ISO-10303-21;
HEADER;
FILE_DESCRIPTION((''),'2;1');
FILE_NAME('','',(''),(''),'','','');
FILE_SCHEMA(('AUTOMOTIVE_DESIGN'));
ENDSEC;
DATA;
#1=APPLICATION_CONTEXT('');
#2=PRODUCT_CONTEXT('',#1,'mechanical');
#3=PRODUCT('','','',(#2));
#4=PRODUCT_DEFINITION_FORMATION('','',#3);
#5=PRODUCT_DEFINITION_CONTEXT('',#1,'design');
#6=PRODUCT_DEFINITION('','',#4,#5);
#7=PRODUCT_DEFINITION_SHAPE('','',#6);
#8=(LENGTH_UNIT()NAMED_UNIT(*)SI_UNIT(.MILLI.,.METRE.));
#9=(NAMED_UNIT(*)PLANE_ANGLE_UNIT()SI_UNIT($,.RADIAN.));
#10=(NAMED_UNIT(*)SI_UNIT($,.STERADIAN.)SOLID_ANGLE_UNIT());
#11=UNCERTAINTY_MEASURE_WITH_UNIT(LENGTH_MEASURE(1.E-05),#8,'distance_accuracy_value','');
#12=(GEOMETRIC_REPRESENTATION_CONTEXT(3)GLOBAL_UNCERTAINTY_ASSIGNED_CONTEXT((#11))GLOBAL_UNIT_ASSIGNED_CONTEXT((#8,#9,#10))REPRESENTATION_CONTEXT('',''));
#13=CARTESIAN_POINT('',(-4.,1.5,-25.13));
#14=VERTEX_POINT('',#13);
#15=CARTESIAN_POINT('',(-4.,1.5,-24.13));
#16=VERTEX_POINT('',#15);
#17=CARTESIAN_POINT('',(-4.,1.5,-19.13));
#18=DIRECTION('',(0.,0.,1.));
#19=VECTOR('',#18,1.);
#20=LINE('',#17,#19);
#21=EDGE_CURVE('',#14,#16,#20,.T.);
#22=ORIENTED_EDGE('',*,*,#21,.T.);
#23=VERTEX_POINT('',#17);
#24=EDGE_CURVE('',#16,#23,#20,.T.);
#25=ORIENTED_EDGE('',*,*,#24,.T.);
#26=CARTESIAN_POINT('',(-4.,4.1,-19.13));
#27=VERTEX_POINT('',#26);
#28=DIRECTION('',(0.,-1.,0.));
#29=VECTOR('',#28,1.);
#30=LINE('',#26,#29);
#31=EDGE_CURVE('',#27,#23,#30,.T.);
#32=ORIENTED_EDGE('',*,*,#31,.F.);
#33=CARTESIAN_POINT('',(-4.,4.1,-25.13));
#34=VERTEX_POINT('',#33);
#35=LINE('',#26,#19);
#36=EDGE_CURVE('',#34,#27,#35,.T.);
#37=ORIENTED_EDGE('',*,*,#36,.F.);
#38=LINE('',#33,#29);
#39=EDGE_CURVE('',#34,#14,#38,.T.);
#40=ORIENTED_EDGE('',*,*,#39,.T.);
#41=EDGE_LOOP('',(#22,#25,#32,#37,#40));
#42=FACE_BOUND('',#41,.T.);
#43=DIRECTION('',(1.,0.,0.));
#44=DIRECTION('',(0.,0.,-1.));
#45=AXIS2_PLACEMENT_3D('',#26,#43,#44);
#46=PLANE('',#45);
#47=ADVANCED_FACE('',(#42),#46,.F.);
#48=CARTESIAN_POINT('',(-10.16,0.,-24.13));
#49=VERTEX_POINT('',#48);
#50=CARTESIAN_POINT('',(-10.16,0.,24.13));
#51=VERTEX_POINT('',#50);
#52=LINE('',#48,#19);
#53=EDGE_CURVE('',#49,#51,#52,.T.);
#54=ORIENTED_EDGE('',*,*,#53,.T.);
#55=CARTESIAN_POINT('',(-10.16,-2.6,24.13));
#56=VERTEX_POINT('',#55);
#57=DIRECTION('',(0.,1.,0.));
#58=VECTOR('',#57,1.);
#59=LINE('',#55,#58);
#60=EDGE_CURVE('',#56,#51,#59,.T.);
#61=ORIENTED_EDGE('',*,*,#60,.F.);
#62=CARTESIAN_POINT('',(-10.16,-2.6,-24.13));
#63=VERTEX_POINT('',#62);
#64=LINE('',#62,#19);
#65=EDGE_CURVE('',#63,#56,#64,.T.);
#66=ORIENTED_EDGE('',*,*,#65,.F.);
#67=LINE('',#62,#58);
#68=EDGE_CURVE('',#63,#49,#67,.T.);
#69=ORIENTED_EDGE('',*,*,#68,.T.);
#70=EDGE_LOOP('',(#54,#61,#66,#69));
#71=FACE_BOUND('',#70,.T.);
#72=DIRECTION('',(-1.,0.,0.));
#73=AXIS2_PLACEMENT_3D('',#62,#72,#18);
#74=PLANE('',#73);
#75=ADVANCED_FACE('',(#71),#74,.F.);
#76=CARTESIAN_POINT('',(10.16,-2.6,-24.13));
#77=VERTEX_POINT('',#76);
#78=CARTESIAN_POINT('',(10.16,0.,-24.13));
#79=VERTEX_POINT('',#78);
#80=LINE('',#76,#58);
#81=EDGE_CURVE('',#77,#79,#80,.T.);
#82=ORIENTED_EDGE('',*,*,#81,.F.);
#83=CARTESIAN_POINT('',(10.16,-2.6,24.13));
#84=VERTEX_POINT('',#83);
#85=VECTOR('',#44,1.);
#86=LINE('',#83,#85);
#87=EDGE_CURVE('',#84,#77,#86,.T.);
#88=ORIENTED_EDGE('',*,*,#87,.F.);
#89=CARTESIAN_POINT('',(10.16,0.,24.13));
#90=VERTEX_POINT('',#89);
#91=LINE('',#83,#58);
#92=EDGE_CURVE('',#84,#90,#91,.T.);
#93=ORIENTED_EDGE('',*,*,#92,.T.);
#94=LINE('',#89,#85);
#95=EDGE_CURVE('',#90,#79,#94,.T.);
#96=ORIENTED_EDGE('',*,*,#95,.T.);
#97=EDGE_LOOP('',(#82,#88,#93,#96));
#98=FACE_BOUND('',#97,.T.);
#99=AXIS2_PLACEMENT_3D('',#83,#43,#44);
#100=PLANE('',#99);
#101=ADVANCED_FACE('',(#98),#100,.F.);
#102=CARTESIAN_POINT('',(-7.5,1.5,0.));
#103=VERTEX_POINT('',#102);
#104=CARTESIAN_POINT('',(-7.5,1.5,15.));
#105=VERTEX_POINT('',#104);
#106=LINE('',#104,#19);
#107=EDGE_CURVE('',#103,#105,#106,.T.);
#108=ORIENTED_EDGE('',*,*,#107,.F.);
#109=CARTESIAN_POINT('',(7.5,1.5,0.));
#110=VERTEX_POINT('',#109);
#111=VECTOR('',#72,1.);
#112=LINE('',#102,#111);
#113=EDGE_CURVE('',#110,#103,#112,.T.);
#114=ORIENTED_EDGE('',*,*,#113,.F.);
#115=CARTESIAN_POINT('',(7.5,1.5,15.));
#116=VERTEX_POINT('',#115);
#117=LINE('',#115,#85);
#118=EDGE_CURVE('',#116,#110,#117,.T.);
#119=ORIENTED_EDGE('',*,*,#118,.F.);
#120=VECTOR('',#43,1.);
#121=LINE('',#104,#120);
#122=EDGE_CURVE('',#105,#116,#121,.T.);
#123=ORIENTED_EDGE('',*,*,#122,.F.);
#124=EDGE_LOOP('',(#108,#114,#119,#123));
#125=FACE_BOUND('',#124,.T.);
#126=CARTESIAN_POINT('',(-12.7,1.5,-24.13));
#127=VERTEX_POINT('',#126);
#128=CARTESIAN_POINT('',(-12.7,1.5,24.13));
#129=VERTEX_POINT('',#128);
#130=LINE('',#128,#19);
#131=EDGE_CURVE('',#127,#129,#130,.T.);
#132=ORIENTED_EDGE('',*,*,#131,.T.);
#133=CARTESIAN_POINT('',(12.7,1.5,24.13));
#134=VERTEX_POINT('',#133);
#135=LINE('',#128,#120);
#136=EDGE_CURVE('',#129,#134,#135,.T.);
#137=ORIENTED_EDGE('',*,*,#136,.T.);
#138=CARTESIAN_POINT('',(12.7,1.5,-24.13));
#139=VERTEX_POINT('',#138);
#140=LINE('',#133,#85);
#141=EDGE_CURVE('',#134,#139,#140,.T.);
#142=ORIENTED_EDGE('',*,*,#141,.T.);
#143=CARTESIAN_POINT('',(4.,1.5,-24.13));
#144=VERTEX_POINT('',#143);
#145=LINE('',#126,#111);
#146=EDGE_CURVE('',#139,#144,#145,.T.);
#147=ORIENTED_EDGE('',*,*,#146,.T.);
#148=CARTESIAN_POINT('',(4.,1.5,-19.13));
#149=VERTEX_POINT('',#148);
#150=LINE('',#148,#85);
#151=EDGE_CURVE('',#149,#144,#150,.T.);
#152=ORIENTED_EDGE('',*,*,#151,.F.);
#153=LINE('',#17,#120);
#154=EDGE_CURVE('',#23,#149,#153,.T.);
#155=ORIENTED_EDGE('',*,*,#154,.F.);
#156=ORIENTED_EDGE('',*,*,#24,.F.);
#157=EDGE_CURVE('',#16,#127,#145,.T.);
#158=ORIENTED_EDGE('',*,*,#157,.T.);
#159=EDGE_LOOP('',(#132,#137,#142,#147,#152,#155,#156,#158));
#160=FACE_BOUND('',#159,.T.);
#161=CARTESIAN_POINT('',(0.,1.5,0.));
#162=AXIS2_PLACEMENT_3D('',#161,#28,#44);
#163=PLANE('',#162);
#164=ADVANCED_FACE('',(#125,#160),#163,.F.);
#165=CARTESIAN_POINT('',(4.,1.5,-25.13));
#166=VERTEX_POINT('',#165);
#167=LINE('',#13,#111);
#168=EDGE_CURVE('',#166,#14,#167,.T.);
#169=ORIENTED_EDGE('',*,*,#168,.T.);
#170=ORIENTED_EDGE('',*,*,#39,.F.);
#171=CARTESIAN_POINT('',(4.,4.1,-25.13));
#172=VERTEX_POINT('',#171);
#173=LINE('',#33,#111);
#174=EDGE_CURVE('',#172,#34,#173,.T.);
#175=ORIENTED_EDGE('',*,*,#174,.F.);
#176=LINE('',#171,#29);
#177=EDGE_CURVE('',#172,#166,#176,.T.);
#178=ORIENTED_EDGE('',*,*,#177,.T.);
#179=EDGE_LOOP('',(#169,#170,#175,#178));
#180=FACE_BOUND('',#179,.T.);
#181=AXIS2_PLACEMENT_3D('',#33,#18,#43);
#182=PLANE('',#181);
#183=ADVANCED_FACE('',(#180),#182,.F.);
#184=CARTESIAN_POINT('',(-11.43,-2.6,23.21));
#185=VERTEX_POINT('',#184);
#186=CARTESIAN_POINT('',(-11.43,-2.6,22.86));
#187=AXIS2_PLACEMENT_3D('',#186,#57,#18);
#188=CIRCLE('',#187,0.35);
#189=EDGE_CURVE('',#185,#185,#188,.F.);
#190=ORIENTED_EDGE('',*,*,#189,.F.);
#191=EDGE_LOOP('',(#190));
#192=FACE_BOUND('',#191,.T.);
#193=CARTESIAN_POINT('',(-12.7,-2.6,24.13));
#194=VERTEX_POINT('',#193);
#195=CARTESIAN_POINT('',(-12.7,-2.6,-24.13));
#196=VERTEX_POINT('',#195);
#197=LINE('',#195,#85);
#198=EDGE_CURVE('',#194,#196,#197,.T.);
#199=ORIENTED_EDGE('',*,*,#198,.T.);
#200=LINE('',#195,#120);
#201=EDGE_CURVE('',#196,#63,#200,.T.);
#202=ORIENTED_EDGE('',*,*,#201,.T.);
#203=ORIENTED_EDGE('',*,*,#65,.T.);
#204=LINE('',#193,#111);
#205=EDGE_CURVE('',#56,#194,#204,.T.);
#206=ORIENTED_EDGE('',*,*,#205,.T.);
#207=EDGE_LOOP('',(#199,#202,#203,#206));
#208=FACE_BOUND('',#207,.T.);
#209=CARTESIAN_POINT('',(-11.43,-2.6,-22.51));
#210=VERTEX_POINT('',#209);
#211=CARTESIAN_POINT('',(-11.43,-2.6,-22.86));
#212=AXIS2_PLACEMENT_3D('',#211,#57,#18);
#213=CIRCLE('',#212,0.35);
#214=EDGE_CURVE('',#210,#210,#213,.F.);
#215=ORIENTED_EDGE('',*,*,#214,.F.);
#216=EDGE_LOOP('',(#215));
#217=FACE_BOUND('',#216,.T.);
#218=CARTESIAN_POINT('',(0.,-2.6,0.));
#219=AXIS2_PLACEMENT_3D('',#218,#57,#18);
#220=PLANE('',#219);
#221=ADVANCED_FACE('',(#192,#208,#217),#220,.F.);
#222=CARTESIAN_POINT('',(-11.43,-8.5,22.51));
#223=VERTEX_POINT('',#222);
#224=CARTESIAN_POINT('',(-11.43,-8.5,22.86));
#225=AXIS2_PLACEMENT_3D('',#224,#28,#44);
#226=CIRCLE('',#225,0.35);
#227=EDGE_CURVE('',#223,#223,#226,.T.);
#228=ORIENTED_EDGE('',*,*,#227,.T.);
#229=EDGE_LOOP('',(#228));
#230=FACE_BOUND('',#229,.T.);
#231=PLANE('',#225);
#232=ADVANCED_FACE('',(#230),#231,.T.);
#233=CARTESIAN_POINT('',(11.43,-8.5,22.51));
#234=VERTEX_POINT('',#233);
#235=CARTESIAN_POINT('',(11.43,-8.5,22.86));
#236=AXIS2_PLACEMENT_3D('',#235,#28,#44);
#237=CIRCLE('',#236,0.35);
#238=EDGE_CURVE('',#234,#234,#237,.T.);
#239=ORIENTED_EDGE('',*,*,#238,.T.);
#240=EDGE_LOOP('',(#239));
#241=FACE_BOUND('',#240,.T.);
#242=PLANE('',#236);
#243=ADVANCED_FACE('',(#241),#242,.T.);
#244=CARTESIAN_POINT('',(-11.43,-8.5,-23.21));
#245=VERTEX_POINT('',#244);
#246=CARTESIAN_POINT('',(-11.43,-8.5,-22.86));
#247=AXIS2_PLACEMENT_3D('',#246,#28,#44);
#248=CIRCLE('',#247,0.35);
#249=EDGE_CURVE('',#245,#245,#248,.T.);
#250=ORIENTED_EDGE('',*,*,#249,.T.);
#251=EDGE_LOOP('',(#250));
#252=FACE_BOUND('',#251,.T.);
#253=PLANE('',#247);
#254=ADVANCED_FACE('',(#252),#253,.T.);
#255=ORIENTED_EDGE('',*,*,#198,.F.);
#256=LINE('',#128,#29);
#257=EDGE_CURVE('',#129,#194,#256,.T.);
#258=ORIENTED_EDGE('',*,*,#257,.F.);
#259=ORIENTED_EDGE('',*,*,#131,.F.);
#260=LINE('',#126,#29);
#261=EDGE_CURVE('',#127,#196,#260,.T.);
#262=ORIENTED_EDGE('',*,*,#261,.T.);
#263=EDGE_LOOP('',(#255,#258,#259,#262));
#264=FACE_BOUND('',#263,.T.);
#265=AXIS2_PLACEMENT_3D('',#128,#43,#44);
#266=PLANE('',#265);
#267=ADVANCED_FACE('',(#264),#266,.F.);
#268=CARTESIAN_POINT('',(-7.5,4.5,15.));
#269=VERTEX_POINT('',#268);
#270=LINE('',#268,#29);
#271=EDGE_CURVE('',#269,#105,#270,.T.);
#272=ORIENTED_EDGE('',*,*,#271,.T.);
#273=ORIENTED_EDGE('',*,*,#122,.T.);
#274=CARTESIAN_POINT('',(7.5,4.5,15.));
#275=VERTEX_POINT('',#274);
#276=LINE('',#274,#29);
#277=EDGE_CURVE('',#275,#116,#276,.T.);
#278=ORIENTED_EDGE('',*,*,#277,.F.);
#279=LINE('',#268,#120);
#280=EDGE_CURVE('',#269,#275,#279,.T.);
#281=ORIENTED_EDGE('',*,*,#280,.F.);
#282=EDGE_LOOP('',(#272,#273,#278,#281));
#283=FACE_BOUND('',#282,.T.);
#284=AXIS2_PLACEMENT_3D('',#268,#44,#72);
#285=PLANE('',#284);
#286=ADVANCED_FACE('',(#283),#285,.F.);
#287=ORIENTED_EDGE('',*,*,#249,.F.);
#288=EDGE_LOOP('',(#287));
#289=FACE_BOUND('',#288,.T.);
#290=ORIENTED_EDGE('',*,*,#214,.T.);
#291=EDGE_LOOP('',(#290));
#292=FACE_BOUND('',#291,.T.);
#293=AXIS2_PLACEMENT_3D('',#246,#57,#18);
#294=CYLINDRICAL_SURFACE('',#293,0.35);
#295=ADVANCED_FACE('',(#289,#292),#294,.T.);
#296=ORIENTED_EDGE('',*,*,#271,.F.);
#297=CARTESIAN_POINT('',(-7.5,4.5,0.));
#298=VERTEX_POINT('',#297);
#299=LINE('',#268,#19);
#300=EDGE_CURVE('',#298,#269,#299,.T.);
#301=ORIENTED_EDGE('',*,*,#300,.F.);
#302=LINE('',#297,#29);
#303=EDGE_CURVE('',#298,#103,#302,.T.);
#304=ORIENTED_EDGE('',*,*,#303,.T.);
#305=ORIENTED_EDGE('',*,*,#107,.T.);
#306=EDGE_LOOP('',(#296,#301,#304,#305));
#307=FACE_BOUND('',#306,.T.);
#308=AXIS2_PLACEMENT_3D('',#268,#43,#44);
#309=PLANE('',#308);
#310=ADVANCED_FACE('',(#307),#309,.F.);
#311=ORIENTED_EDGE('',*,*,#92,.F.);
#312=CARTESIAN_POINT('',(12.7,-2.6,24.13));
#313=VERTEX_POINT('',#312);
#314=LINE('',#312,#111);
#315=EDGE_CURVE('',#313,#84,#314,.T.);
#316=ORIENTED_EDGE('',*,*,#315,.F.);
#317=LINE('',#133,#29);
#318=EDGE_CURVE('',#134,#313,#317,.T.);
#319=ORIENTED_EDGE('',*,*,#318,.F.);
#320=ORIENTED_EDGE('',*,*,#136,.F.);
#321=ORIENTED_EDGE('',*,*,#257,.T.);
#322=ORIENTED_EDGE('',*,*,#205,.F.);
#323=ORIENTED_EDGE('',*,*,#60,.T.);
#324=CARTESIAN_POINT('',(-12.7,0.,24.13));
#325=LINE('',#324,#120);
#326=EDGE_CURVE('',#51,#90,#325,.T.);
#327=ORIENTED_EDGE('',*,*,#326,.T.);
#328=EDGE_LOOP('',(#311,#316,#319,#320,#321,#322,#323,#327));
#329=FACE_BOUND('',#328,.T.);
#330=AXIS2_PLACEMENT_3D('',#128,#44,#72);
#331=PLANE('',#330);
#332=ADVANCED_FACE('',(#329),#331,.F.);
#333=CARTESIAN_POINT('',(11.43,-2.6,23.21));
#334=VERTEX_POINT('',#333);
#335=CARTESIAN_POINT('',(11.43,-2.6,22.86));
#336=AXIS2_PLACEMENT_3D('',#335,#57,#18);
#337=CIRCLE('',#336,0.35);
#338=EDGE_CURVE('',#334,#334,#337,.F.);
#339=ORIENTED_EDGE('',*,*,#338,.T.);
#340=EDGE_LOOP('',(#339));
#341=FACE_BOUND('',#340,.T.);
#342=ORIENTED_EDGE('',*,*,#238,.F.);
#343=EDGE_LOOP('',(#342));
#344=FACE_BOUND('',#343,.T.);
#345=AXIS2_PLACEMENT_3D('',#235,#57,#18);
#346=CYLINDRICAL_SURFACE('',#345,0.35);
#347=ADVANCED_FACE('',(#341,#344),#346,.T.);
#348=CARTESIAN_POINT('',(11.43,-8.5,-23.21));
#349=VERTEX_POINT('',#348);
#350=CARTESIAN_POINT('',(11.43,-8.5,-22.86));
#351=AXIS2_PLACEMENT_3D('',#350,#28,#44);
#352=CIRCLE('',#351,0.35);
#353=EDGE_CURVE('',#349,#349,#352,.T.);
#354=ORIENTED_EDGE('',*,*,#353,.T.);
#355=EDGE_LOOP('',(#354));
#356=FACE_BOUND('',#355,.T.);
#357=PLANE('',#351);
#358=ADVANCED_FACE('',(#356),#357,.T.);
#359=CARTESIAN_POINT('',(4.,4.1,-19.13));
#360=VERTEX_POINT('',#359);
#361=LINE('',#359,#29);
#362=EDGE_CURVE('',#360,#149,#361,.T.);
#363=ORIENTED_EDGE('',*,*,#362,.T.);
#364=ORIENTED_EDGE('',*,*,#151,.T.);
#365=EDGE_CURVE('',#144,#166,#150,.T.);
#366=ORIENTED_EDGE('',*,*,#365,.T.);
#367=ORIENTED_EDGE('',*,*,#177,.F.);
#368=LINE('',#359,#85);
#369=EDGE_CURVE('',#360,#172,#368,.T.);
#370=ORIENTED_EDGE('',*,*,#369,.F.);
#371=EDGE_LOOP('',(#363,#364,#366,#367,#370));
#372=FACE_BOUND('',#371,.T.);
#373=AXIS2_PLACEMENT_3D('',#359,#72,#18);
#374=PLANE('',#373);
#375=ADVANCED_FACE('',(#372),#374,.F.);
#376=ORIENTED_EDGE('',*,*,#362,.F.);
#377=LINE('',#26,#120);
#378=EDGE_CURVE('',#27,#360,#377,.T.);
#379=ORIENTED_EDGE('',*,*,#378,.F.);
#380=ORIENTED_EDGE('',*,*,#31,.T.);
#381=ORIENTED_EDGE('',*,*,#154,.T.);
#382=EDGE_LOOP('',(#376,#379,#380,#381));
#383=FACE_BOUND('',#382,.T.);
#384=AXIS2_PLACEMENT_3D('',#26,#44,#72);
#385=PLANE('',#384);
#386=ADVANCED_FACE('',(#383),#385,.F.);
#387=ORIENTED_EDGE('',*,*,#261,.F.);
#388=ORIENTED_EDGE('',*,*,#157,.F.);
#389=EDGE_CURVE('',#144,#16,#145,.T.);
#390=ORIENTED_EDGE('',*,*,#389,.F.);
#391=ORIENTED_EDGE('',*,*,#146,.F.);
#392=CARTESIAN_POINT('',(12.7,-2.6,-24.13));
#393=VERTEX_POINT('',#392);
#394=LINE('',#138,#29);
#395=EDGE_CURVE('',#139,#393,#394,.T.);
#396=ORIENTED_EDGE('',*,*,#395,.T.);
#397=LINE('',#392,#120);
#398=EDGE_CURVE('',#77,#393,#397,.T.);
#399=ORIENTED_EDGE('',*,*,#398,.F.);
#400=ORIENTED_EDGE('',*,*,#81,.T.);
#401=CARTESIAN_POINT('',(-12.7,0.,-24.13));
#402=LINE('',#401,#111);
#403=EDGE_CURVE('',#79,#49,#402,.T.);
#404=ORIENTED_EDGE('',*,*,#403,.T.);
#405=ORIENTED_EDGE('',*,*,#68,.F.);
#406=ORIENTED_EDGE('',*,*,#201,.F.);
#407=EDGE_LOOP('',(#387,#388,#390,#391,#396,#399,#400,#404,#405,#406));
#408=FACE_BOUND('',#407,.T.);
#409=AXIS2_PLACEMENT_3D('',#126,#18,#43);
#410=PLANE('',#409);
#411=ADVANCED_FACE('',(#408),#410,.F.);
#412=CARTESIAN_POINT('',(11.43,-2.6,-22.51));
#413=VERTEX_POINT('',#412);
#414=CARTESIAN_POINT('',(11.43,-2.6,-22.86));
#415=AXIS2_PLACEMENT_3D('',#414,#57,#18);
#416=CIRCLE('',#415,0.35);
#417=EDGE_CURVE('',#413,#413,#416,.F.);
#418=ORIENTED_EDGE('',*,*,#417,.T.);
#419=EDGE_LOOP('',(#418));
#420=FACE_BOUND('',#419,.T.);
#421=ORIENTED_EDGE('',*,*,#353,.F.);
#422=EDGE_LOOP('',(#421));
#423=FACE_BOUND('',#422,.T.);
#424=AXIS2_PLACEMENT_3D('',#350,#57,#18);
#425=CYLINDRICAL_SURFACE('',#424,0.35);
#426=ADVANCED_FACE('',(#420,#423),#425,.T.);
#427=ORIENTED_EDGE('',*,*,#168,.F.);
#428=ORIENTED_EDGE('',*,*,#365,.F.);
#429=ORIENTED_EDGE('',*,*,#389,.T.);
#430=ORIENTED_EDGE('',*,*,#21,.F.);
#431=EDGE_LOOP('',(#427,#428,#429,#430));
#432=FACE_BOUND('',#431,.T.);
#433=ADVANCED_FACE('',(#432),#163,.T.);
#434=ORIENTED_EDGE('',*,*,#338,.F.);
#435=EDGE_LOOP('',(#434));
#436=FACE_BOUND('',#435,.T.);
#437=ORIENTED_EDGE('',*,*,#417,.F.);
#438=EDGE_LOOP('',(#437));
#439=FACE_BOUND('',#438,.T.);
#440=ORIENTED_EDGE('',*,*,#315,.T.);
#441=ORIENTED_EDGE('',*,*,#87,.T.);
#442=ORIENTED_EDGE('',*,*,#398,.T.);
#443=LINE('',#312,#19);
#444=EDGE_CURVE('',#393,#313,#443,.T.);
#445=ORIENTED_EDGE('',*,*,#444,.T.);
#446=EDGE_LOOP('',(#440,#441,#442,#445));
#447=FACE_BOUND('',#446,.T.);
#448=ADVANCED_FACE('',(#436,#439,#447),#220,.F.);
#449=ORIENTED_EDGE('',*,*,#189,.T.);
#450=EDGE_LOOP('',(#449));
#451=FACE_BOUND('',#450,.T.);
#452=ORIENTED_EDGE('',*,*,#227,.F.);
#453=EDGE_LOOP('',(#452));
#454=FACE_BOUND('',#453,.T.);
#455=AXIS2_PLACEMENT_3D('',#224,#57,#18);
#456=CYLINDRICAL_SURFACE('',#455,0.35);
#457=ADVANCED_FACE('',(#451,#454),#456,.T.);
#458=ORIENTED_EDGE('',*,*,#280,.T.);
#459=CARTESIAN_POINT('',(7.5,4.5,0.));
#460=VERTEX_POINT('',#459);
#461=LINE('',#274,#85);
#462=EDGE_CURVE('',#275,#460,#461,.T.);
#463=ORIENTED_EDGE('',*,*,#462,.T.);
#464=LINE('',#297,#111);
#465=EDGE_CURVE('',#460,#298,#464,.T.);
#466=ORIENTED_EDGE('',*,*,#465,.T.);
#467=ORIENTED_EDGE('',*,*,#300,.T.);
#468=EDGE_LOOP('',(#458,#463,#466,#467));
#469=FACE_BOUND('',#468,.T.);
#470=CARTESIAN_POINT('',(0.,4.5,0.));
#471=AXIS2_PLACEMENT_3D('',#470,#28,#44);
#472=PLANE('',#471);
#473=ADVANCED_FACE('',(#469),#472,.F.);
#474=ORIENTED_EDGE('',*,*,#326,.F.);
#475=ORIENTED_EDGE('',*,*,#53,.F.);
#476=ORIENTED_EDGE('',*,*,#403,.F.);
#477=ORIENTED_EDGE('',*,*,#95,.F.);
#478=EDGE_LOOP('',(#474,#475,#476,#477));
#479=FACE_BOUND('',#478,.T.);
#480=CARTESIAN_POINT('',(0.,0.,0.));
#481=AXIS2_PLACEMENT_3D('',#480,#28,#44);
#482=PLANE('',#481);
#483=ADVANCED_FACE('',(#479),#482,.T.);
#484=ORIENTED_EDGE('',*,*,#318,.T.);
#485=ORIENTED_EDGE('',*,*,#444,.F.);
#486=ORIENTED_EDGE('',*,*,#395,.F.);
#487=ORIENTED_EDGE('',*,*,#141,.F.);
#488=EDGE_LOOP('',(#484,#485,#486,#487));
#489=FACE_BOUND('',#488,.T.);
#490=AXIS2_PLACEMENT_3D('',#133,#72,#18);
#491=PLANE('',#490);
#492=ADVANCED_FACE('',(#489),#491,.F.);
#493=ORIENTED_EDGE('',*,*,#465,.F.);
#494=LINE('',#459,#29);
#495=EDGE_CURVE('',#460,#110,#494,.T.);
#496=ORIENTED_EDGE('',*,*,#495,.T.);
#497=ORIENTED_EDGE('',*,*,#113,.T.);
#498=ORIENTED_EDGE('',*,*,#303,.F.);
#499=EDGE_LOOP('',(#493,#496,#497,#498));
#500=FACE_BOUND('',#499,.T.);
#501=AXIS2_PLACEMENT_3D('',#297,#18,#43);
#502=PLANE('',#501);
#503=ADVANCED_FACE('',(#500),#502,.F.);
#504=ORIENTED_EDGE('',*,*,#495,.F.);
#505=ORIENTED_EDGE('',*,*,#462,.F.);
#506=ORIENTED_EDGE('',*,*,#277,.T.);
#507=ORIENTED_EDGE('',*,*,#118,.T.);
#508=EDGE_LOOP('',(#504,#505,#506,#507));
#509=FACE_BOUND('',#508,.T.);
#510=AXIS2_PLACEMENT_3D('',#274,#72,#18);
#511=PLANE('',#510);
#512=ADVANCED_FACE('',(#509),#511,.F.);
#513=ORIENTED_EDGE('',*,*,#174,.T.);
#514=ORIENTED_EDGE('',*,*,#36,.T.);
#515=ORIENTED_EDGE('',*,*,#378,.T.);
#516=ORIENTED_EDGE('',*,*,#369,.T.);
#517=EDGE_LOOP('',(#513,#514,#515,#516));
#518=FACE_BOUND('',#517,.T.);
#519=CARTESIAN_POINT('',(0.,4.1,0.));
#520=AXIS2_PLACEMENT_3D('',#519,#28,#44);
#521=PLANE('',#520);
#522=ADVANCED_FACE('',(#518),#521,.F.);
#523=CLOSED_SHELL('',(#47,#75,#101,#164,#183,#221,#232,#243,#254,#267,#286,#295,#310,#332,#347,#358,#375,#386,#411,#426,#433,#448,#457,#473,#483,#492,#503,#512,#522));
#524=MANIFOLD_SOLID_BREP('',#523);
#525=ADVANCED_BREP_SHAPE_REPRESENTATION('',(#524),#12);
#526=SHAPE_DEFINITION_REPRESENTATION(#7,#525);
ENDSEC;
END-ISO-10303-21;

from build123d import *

# Parameters (mm, degrees)
SKETCH1_W           = 25.4
SKETCH1_H           = 48.26
BOSS_EXTRUDE1_DEPTH = 1.5
SKETCH2_W           = 15
SKETCH2_H           = 15
BOSS_EXTRUDE2_DEPTH = 3
SKETCH3_W           = 8
SKETCH3_H           = 6
BOSS_EXTRUDE3_DEPTH = 2.6
SKETCH4_W           = 2.54
SKETCH4_H           = 48.26
BOSS_EXTRUDE4_DEPTH = 2.6
SKETCH5_R           = 0.35
BOSS_EXTRUDE5_DEPTH = 5.9


with BuildPart() as part:
    # Sketch1 → Boss-Extrude1 (new body)
    with BuildSketch(Plane(origin=(0, 0, 0), x_dir=(1, 0, 0), z_dir=(0, 1, 0))):
        Rectangle(SKETCH1_W, SKETCH1_H)
    extrude(amount=BOSS_EXTRUDE1_DEPTH)

    # Sketch2 → Boss-Extrude2 (add)
    with BuildSketch(Plane(origin=(0, 1.5, 0), x_dir=(1, 0, 0), z_dir=(0, 1, 0))):
        with Locations((0, -7.5)):
            Rectangle(SKETCH2_W, SKETCH2_H)
    extrude(amount=BOSS_EXTRUDE2_DEPTH)

    # Sketch3 → Boss-Extrude3 (add)
    with BuildSketch(Plane(origin=(0, 1.5, 0), x_dir=(1, 0, 0), z_dir=(0, 1, 0))):
        with Locations((0, 22.13)):
            Rectangle(SKETCH3_W, SKETCH3_H)
    extrude(amount=BOSS_EXTRUDE3_DEPTH)

    # Sketch4 → Boss-Extrude4 (add)
    with BuildSketch(Plane.XZ):
        with Locations((-11.43, 0)):
            Rectangle(SKETCH4_W, SKETCH4_H)
        with Locations((11.43, 0)):
            Rectangle(SKETCH4_W, SKETCH4_H)
    extrude(amount=BOSS_EXTRUDE4_DEPTH)

    # Sketch5 → Boss-Extrude5 (add)
    with BuildSketch(Plane.XZ.offset(2.6)):
        with Locations(Location((11.43, -22.86, 0), (0, 0, 90))):
            Circle(SKETCH5_R)
        with Locations(Location((-11.43, -22.86, 0), (0, 0, 90))):
            Circle(SKETCH5_R)
        with Locations(Location((-11.43, 22.86, 0), (0, 0, 90))):
            Circle(SKETCH5_R)
        with Locations(Location((11.43, 22.86, 0), (0, 0, 90))):
            Circle(SKETCH5_R)
    extrude(amount=BOSS_EXTRUDE5_DEPTH)


solid = part.part
